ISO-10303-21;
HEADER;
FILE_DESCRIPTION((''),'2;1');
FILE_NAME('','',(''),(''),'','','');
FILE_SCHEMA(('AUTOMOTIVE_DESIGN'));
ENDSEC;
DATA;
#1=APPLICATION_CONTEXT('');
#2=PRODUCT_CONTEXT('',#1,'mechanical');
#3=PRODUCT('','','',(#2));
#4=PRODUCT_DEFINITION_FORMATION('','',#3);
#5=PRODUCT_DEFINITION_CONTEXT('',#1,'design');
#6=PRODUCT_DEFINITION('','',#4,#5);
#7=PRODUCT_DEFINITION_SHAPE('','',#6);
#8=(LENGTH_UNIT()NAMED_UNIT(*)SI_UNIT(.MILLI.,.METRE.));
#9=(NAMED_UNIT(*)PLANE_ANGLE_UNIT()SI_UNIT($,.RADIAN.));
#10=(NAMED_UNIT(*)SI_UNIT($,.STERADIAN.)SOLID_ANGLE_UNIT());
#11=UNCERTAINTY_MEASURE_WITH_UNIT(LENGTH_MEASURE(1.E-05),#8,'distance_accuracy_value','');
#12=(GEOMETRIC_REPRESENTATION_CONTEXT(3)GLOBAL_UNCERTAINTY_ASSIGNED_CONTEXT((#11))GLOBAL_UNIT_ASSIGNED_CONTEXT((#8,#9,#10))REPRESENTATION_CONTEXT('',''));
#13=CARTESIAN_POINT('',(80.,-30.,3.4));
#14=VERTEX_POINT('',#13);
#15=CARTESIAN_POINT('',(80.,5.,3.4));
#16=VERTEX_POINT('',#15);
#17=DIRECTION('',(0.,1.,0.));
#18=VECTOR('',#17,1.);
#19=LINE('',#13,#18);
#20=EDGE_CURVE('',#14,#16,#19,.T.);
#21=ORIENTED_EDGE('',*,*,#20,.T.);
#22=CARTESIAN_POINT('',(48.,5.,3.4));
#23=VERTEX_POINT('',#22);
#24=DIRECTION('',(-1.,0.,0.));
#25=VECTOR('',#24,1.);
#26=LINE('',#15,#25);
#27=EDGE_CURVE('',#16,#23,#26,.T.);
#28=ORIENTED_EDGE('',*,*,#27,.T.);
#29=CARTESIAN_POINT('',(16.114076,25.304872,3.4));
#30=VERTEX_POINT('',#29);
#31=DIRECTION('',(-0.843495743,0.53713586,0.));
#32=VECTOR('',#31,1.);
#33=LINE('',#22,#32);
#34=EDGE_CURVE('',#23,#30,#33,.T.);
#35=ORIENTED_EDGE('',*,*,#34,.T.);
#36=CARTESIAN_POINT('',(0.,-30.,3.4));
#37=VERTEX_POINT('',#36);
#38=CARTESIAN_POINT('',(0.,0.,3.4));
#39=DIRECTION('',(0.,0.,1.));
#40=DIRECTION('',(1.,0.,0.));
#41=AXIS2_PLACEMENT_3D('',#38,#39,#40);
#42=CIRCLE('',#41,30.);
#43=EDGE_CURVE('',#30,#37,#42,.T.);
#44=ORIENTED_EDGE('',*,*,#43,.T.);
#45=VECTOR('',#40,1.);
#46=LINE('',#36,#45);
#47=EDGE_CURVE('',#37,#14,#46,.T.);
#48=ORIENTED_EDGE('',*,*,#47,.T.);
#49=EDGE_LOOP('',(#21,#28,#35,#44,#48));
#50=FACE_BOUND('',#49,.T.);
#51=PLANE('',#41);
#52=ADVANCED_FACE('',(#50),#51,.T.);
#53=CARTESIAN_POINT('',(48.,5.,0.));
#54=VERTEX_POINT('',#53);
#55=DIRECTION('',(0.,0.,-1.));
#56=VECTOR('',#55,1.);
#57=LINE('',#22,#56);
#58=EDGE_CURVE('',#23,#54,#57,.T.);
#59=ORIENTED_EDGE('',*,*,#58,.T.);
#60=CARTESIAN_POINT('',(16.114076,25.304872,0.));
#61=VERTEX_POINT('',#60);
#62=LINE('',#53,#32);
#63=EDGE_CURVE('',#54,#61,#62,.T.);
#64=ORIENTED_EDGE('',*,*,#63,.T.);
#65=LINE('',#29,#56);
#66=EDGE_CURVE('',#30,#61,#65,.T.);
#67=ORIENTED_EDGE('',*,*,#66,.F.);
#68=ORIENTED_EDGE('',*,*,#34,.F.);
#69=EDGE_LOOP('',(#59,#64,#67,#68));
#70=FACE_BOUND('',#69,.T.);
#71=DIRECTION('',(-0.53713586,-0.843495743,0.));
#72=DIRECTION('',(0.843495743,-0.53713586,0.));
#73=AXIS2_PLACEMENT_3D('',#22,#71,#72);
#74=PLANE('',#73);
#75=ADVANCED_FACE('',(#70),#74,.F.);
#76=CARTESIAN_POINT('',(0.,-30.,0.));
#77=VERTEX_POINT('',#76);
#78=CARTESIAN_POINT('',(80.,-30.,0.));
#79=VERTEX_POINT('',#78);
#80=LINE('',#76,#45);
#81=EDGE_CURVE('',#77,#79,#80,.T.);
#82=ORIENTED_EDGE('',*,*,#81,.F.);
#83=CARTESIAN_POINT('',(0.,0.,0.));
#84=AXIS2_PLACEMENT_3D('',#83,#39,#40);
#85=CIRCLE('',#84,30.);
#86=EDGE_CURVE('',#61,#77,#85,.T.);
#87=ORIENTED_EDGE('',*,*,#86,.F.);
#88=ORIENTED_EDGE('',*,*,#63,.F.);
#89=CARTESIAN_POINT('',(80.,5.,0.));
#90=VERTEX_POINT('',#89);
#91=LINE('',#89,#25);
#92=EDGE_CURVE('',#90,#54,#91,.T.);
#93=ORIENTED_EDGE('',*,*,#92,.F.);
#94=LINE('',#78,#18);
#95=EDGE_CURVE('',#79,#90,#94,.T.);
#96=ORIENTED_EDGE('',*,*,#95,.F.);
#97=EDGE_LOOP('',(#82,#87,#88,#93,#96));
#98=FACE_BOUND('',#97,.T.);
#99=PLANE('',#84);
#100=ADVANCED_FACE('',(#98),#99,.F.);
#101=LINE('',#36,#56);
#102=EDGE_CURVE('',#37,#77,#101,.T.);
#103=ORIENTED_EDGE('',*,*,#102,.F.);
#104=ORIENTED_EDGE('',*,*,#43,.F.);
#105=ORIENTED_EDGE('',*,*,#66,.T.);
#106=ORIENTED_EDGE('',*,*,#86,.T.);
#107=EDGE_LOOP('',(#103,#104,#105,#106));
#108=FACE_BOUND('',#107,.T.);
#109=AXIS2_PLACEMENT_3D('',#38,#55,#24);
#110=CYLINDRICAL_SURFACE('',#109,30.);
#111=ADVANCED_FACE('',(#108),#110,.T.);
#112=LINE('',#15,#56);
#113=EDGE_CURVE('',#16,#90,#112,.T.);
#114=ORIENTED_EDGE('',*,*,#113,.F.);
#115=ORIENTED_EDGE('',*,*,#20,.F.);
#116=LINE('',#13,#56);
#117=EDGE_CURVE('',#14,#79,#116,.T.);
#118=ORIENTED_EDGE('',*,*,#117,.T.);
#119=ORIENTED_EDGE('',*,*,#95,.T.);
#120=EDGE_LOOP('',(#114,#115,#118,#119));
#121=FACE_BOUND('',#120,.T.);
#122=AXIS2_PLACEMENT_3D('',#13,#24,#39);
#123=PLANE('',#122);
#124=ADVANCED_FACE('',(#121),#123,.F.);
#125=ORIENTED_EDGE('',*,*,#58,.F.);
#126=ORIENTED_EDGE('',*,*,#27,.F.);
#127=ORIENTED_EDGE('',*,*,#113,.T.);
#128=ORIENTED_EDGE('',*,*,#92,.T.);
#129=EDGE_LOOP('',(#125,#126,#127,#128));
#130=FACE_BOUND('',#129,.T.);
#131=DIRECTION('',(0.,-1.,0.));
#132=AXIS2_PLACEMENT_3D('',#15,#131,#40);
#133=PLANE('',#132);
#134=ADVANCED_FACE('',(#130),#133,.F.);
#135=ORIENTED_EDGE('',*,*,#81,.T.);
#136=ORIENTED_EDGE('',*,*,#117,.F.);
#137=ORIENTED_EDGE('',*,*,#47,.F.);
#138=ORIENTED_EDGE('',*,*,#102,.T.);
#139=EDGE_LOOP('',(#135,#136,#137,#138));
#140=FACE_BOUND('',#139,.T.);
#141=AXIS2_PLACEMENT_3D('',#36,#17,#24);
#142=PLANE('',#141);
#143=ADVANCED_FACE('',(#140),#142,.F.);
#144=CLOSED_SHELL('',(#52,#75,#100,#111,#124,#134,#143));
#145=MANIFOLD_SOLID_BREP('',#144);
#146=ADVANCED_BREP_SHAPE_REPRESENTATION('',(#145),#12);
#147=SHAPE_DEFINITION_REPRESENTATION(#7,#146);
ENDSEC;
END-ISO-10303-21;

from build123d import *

# Parameters (mm, degrees)
BOSS_EXTRUDE1_DEPTH = 3.4


with BuildPart() as part:
    # Sketch1 → Boss-Extrude1 (new body)
    with BuildSketch(Plane.XY):
        with BuildLine():
            Line((0, -30), (80, -30))
            Line((80, -30), (80, 5))
            Line((80, 5), (48, 5))
            Line((48, 5), (16.114075804, 25.304872277))
            ThreePointArc((16.114075804, 25.304872277), (-28.802310396, 8.392074585), (0, -30))
        make_face()
    extrude(amount=BOSS_EXTRUDE1_DEPTH)


solid = part.part
